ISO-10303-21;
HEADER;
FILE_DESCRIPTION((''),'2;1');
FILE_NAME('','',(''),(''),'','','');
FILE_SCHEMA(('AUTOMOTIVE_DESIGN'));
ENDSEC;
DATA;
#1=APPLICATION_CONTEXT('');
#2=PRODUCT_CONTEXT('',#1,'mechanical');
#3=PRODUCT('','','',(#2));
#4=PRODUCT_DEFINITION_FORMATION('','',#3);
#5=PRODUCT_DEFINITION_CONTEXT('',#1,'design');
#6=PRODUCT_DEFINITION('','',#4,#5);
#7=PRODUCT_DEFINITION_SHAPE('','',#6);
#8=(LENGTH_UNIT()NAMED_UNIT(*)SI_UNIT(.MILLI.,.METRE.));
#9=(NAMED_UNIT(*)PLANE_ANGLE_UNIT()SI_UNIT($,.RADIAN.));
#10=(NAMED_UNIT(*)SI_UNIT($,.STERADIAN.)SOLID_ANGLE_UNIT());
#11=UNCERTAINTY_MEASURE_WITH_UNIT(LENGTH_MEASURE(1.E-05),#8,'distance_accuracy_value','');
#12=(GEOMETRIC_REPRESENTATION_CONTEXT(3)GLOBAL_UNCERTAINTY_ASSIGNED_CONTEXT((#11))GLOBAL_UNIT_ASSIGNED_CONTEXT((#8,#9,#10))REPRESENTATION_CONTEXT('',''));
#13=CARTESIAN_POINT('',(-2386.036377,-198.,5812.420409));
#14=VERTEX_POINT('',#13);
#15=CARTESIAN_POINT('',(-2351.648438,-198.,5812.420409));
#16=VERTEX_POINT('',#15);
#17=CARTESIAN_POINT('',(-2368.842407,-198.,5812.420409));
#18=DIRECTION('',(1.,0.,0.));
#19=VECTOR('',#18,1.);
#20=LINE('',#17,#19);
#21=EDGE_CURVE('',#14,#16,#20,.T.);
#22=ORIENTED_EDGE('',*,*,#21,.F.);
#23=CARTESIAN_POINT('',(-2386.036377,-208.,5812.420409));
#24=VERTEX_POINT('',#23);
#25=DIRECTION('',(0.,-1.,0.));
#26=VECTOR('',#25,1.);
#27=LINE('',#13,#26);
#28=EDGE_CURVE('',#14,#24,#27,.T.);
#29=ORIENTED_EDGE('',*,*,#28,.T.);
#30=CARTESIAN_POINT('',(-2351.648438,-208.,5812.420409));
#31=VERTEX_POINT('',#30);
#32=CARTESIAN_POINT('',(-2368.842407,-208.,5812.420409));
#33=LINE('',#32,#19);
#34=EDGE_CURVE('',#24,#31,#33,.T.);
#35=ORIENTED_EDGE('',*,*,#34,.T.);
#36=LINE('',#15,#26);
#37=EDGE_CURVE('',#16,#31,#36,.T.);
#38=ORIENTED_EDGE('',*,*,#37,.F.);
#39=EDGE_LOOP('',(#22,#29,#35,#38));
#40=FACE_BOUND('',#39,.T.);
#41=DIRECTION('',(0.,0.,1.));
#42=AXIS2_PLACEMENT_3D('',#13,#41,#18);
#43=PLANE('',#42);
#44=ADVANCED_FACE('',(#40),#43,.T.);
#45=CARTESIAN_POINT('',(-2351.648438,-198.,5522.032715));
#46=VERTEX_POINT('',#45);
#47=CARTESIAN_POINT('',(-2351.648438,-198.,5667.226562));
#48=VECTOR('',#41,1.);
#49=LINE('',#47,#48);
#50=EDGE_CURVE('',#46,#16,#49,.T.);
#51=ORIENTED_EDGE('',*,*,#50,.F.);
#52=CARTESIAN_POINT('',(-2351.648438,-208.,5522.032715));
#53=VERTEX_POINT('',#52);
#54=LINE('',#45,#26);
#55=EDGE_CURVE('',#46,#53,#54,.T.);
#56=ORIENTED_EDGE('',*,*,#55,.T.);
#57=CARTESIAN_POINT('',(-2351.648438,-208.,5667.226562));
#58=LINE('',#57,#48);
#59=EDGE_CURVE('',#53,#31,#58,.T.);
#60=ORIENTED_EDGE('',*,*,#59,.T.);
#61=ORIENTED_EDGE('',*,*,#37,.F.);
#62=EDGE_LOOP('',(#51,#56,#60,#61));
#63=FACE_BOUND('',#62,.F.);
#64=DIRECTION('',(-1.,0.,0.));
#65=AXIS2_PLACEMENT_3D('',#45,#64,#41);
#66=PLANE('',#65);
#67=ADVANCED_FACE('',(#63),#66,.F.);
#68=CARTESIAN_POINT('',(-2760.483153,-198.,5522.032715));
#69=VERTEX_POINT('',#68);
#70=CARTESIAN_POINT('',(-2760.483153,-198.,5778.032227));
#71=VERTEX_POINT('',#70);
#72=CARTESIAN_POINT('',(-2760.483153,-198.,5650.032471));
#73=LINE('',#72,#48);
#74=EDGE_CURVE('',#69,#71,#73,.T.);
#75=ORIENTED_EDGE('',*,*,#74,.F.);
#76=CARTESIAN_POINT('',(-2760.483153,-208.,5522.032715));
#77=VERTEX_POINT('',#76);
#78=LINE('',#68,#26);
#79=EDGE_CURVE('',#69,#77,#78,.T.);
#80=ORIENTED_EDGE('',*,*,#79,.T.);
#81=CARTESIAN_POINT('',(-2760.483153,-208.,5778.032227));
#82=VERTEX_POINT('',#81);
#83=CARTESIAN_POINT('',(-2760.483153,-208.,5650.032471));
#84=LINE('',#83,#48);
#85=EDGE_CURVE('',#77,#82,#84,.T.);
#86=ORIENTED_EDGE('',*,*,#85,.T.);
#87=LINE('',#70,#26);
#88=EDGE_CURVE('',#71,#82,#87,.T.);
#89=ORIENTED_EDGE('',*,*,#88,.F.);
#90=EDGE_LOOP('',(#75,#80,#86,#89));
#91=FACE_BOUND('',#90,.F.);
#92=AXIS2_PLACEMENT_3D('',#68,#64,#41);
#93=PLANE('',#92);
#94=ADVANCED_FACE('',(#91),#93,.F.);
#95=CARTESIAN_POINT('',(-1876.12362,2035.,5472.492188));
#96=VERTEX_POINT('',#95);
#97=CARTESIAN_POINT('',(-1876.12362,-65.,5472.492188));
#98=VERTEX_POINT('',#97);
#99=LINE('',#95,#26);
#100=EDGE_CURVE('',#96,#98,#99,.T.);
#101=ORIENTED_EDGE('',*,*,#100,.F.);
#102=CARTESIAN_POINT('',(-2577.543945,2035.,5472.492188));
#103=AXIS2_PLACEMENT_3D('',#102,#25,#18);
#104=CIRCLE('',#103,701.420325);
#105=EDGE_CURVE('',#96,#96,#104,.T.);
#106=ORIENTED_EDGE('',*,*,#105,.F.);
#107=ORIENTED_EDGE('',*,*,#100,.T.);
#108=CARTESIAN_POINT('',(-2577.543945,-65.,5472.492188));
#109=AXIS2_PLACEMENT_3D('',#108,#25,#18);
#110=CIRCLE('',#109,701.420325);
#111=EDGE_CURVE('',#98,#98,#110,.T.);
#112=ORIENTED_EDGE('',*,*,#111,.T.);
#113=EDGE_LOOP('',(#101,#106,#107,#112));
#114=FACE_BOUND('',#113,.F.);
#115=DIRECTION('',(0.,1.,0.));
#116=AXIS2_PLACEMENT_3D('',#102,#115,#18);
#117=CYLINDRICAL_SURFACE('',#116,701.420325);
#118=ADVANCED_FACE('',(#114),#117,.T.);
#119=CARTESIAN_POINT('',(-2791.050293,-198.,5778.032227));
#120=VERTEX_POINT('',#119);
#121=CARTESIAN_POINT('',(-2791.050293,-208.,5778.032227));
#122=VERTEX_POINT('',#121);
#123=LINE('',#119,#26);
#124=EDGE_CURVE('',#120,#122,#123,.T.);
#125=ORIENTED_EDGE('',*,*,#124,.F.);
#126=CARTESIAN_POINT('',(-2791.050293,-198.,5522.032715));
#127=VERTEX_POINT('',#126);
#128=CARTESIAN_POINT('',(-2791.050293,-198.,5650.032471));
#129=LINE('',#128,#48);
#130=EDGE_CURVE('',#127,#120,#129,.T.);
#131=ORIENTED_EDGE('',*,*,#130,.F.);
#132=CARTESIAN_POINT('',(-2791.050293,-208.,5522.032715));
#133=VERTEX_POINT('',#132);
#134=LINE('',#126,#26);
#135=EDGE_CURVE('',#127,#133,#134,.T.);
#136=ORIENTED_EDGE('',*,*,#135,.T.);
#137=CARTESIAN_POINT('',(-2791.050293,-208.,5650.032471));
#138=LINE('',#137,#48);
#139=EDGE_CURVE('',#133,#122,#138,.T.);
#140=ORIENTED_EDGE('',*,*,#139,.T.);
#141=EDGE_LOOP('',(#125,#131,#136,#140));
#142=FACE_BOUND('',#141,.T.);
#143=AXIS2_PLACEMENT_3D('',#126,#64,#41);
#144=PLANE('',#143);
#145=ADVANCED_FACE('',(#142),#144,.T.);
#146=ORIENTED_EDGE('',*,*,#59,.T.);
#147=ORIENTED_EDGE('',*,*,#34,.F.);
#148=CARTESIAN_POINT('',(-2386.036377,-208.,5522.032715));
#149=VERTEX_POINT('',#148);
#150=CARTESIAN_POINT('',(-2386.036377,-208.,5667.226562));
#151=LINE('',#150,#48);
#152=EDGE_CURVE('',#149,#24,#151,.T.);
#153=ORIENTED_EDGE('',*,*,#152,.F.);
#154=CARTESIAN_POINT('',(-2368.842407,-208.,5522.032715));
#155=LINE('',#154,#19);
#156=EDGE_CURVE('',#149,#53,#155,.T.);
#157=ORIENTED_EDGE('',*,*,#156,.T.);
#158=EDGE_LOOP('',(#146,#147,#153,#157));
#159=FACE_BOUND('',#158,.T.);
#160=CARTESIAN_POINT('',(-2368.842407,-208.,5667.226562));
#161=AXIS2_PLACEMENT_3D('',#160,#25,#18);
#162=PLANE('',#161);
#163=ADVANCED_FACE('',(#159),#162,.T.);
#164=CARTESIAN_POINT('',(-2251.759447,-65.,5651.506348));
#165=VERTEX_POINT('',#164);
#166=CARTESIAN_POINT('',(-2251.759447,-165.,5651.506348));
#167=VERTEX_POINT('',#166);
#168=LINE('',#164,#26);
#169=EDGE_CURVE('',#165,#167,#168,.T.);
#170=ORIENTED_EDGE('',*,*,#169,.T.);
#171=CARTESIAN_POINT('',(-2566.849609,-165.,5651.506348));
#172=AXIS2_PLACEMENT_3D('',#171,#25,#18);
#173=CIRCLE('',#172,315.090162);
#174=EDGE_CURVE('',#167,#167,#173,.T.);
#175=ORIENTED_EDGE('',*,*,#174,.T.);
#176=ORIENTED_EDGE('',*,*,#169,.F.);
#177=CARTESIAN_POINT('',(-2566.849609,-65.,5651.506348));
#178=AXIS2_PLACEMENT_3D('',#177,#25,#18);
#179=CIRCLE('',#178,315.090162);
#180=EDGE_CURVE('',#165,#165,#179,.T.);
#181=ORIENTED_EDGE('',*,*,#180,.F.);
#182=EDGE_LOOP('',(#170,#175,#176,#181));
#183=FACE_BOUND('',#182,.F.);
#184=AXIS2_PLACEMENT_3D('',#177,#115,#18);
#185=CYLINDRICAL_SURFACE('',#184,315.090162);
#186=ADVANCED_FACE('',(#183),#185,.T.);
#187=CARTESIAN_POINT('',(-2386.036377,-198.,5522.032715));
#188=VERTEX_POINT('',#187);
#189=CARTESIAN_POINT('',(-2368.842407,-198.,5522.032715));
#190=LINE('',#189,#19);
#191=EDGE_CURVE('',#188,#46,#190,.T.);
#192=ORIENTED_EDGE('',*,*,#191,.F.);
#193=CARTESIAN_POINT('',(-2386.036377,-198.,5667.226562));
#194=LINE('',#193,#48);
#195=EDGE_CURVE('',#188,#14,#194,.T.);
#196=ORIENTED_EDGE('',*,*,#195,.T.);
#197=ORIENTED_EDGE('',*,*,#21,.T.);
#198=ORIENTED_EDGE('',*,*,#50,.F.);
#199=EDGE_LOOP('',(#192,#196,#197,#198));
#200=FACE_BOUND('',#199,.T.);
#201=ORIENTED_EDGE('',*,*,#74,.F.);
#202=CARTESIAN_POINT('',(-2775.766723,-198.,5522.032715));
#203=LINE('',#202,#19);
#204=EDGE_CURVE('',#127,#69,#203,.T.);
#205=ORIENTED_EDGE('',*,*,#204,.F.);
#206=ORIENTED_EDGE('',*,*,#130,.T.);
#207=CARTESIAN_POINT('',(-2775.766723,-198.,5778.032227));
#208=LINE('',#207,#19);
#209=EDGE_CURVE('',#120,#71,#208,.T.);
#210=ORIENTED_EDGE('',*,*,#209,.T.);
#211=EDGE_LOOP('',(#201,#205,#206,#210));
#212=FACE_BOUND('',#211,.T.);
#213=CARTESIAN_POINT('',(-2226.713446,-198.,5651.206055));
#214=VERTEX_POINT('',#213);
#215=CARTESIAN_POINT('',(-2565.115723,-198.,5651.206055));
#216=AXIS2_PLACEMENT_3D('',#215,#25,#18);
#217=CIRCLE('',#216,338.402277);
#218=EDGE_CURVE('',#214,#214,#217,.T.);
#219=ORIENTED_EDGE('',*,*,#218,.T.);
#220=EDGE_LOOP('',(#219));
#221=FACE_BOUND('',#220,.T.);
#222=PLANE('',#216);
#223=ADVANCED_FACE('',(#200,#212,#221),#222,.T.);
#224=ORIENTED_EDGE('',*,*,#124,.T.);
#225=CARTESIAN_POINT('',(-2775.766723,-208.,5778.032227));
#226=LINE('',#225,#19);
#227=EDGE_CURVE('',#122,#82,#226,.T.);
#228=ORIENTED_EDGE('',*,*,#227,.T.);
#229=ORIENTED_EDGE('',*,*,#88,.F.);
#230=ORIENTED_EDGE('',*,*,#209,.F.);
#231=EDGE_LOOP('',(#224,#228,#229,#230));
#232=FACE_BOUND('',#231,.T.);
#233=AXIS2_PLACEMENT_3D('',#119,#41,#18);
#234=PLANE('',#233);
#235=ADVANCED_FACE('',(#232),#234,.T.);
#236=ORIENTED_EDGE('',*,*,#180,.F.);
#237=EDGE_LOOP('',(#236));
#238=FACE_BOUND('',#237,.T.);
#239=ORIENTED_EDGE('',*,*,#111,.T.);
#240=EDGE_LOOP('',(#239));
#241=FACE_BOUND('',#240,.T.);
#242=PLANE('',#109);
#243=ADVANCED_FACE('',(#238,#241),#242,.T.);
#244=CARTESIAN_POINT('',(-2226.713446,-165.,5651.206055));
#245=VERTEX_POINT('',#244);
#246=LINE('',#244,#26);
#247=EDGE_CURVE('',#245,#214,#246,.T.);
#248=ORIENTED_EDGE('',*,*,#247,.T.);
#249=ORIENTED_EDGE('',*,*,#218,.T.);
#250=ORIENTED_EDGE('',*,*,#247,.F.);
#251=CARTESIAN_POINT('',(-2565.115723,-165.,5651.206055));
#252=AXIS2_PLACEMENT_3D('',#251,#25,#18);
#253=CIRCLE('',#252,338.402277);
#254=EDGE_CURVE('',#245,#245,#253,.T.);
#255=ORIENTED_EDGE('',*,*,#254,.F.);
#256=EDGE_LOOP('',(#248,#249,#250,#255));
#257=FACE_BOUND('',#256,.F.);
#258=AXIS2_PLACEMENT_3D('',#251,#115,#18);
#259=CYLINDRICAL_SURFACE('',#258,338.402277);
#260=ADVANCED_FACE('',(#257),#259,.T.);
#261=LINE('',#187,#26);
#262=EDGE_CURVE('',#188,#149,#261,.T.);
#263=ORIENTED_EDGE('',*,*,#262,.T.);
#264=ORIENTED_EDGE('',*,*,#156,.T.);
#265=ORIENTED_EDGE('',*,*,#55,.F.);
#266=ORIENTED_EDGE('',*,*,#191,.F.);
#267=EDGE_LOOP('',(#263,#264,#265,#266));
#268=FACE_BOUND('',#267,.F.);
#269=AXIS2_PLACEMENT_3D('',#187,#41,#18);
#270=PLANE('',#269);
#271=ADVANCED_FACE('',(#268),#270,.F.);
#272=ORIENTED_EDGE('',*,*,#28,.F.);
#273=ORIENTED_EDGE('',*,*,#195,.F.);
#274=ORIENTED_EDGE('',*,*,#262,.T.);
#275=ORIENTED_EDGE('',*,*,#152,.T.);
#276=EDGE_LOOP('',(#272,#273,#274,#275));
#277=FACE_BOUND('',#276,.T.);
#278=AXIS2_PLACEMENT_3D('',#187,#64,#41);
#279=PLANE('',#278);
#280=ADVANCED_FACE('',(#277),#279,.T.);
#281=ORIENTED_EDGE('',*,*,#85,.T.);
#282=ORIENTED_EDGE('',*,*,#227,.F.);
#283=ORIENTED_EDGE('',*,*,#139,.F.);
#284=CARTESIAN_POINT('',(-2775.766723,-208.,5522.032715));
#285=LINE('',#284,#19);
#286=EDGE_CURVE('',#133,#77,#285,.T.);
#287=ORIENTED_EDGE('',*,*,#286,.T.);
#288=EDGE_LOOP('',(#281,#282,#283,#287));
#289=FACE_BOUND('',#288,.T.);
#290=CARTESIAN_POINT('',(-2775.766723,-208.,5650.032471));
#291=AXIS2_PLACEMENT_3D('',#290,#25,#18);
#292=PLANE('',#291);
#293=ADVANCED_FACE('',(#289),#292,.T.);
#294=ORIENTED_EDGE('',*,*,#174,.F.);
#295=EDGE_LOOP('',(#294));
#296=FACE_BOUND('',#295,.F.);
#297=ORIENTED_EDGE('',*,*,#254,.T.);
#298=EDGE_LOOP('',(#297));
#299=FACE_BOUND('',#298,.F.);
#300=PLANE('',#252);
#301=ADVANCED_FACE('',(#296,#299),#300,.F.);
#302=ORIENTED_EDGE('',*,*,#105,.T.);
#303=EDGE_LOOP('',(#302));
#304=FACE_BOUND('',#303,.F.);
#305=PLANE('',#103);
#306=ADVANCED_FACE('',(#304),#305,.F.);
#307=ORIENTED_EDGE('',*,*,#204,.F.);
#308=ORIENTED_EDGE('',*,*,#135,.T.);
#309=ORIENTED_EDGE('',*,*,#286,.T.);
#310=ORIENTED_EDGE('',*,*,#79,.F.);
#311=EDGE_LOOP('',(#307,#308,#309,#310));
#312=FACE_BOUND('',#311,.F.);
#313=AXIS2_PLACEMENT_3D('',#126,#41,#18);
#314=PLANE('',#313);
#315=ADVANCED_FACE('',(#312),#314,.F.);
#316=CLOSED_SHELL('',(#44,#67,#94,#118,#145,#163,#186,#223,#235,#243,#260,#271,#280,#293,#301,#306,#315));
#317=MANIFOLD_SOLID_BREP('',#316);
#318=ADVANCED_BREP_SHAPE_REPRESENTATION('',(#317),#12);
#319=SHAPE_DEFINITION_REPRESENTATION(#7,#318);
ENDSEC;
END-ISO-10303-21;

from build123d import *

# Parameters (mm, degrees)
SKETCH013_R   = 701.420325
PAD013_DEPTH  = 2100
SKETCH014_R   = 315.090162
PAD014_DEPTH  = 100
SKETCH016_R   = 338.402277
PAD016_DEPTH  = 33
SKETCH027_W   = 30.567139
SKETCH027_H   = 255.999512
SKETCH027_W_2 = 34.387939
SKETCH027_H_2 = 290.387695
PAD021_DEPTH  = 10


with BuildPart() as part:
    # Sketch013 → Pad013 (new body)
    with BuildSketch(Plane.XZ):
        with Locations((-2577.543945, 5472.492188)):
            Circle(SKETCH013_R)
    extrude(amount=PAD013_DEPTH)

    # Sketch014 (on Face3 of Pad013) → Pad014 (join)
    with BuildSketch(Plane.XZ.offset(2100)):
        with Locations((-2566.849609, 5651.506348)):
            Circle(SKETCH014_R)
    extrude(amount=PAD014_DEPTH)

    # Sketch016 (on Face5 of Pad014) → Pad016 (join)
    with BuildSketch(Plane.XZ.offset(2200)):
        with Locations((-2565.115723, 5651.206055)):
            Circle(SKETCH016_R)
    extrude(amount=PAD016_DEPTH)

    # Sketch027 (on Face3 of Pad016) → Pad021 (join)
    with BuildSketch(Plane.XZ.offset(2233)):
        with Locations((-2775.766723, 5650.032471)):
            Rectangle(SKETCH027_W, SKETCH027_H)
        with Locations((-2368.842407, 5667.226562)):
            Rectangle(SKETCH027_W_2, SKETCH027_H_2)
    extrude(amount=PAD021_DEPTH)


with BuildPart() as part_1:
    # Body013 placement: moved
    add(part.part.moved(Location((0, 2035, 0))))


solid = part_1.part
